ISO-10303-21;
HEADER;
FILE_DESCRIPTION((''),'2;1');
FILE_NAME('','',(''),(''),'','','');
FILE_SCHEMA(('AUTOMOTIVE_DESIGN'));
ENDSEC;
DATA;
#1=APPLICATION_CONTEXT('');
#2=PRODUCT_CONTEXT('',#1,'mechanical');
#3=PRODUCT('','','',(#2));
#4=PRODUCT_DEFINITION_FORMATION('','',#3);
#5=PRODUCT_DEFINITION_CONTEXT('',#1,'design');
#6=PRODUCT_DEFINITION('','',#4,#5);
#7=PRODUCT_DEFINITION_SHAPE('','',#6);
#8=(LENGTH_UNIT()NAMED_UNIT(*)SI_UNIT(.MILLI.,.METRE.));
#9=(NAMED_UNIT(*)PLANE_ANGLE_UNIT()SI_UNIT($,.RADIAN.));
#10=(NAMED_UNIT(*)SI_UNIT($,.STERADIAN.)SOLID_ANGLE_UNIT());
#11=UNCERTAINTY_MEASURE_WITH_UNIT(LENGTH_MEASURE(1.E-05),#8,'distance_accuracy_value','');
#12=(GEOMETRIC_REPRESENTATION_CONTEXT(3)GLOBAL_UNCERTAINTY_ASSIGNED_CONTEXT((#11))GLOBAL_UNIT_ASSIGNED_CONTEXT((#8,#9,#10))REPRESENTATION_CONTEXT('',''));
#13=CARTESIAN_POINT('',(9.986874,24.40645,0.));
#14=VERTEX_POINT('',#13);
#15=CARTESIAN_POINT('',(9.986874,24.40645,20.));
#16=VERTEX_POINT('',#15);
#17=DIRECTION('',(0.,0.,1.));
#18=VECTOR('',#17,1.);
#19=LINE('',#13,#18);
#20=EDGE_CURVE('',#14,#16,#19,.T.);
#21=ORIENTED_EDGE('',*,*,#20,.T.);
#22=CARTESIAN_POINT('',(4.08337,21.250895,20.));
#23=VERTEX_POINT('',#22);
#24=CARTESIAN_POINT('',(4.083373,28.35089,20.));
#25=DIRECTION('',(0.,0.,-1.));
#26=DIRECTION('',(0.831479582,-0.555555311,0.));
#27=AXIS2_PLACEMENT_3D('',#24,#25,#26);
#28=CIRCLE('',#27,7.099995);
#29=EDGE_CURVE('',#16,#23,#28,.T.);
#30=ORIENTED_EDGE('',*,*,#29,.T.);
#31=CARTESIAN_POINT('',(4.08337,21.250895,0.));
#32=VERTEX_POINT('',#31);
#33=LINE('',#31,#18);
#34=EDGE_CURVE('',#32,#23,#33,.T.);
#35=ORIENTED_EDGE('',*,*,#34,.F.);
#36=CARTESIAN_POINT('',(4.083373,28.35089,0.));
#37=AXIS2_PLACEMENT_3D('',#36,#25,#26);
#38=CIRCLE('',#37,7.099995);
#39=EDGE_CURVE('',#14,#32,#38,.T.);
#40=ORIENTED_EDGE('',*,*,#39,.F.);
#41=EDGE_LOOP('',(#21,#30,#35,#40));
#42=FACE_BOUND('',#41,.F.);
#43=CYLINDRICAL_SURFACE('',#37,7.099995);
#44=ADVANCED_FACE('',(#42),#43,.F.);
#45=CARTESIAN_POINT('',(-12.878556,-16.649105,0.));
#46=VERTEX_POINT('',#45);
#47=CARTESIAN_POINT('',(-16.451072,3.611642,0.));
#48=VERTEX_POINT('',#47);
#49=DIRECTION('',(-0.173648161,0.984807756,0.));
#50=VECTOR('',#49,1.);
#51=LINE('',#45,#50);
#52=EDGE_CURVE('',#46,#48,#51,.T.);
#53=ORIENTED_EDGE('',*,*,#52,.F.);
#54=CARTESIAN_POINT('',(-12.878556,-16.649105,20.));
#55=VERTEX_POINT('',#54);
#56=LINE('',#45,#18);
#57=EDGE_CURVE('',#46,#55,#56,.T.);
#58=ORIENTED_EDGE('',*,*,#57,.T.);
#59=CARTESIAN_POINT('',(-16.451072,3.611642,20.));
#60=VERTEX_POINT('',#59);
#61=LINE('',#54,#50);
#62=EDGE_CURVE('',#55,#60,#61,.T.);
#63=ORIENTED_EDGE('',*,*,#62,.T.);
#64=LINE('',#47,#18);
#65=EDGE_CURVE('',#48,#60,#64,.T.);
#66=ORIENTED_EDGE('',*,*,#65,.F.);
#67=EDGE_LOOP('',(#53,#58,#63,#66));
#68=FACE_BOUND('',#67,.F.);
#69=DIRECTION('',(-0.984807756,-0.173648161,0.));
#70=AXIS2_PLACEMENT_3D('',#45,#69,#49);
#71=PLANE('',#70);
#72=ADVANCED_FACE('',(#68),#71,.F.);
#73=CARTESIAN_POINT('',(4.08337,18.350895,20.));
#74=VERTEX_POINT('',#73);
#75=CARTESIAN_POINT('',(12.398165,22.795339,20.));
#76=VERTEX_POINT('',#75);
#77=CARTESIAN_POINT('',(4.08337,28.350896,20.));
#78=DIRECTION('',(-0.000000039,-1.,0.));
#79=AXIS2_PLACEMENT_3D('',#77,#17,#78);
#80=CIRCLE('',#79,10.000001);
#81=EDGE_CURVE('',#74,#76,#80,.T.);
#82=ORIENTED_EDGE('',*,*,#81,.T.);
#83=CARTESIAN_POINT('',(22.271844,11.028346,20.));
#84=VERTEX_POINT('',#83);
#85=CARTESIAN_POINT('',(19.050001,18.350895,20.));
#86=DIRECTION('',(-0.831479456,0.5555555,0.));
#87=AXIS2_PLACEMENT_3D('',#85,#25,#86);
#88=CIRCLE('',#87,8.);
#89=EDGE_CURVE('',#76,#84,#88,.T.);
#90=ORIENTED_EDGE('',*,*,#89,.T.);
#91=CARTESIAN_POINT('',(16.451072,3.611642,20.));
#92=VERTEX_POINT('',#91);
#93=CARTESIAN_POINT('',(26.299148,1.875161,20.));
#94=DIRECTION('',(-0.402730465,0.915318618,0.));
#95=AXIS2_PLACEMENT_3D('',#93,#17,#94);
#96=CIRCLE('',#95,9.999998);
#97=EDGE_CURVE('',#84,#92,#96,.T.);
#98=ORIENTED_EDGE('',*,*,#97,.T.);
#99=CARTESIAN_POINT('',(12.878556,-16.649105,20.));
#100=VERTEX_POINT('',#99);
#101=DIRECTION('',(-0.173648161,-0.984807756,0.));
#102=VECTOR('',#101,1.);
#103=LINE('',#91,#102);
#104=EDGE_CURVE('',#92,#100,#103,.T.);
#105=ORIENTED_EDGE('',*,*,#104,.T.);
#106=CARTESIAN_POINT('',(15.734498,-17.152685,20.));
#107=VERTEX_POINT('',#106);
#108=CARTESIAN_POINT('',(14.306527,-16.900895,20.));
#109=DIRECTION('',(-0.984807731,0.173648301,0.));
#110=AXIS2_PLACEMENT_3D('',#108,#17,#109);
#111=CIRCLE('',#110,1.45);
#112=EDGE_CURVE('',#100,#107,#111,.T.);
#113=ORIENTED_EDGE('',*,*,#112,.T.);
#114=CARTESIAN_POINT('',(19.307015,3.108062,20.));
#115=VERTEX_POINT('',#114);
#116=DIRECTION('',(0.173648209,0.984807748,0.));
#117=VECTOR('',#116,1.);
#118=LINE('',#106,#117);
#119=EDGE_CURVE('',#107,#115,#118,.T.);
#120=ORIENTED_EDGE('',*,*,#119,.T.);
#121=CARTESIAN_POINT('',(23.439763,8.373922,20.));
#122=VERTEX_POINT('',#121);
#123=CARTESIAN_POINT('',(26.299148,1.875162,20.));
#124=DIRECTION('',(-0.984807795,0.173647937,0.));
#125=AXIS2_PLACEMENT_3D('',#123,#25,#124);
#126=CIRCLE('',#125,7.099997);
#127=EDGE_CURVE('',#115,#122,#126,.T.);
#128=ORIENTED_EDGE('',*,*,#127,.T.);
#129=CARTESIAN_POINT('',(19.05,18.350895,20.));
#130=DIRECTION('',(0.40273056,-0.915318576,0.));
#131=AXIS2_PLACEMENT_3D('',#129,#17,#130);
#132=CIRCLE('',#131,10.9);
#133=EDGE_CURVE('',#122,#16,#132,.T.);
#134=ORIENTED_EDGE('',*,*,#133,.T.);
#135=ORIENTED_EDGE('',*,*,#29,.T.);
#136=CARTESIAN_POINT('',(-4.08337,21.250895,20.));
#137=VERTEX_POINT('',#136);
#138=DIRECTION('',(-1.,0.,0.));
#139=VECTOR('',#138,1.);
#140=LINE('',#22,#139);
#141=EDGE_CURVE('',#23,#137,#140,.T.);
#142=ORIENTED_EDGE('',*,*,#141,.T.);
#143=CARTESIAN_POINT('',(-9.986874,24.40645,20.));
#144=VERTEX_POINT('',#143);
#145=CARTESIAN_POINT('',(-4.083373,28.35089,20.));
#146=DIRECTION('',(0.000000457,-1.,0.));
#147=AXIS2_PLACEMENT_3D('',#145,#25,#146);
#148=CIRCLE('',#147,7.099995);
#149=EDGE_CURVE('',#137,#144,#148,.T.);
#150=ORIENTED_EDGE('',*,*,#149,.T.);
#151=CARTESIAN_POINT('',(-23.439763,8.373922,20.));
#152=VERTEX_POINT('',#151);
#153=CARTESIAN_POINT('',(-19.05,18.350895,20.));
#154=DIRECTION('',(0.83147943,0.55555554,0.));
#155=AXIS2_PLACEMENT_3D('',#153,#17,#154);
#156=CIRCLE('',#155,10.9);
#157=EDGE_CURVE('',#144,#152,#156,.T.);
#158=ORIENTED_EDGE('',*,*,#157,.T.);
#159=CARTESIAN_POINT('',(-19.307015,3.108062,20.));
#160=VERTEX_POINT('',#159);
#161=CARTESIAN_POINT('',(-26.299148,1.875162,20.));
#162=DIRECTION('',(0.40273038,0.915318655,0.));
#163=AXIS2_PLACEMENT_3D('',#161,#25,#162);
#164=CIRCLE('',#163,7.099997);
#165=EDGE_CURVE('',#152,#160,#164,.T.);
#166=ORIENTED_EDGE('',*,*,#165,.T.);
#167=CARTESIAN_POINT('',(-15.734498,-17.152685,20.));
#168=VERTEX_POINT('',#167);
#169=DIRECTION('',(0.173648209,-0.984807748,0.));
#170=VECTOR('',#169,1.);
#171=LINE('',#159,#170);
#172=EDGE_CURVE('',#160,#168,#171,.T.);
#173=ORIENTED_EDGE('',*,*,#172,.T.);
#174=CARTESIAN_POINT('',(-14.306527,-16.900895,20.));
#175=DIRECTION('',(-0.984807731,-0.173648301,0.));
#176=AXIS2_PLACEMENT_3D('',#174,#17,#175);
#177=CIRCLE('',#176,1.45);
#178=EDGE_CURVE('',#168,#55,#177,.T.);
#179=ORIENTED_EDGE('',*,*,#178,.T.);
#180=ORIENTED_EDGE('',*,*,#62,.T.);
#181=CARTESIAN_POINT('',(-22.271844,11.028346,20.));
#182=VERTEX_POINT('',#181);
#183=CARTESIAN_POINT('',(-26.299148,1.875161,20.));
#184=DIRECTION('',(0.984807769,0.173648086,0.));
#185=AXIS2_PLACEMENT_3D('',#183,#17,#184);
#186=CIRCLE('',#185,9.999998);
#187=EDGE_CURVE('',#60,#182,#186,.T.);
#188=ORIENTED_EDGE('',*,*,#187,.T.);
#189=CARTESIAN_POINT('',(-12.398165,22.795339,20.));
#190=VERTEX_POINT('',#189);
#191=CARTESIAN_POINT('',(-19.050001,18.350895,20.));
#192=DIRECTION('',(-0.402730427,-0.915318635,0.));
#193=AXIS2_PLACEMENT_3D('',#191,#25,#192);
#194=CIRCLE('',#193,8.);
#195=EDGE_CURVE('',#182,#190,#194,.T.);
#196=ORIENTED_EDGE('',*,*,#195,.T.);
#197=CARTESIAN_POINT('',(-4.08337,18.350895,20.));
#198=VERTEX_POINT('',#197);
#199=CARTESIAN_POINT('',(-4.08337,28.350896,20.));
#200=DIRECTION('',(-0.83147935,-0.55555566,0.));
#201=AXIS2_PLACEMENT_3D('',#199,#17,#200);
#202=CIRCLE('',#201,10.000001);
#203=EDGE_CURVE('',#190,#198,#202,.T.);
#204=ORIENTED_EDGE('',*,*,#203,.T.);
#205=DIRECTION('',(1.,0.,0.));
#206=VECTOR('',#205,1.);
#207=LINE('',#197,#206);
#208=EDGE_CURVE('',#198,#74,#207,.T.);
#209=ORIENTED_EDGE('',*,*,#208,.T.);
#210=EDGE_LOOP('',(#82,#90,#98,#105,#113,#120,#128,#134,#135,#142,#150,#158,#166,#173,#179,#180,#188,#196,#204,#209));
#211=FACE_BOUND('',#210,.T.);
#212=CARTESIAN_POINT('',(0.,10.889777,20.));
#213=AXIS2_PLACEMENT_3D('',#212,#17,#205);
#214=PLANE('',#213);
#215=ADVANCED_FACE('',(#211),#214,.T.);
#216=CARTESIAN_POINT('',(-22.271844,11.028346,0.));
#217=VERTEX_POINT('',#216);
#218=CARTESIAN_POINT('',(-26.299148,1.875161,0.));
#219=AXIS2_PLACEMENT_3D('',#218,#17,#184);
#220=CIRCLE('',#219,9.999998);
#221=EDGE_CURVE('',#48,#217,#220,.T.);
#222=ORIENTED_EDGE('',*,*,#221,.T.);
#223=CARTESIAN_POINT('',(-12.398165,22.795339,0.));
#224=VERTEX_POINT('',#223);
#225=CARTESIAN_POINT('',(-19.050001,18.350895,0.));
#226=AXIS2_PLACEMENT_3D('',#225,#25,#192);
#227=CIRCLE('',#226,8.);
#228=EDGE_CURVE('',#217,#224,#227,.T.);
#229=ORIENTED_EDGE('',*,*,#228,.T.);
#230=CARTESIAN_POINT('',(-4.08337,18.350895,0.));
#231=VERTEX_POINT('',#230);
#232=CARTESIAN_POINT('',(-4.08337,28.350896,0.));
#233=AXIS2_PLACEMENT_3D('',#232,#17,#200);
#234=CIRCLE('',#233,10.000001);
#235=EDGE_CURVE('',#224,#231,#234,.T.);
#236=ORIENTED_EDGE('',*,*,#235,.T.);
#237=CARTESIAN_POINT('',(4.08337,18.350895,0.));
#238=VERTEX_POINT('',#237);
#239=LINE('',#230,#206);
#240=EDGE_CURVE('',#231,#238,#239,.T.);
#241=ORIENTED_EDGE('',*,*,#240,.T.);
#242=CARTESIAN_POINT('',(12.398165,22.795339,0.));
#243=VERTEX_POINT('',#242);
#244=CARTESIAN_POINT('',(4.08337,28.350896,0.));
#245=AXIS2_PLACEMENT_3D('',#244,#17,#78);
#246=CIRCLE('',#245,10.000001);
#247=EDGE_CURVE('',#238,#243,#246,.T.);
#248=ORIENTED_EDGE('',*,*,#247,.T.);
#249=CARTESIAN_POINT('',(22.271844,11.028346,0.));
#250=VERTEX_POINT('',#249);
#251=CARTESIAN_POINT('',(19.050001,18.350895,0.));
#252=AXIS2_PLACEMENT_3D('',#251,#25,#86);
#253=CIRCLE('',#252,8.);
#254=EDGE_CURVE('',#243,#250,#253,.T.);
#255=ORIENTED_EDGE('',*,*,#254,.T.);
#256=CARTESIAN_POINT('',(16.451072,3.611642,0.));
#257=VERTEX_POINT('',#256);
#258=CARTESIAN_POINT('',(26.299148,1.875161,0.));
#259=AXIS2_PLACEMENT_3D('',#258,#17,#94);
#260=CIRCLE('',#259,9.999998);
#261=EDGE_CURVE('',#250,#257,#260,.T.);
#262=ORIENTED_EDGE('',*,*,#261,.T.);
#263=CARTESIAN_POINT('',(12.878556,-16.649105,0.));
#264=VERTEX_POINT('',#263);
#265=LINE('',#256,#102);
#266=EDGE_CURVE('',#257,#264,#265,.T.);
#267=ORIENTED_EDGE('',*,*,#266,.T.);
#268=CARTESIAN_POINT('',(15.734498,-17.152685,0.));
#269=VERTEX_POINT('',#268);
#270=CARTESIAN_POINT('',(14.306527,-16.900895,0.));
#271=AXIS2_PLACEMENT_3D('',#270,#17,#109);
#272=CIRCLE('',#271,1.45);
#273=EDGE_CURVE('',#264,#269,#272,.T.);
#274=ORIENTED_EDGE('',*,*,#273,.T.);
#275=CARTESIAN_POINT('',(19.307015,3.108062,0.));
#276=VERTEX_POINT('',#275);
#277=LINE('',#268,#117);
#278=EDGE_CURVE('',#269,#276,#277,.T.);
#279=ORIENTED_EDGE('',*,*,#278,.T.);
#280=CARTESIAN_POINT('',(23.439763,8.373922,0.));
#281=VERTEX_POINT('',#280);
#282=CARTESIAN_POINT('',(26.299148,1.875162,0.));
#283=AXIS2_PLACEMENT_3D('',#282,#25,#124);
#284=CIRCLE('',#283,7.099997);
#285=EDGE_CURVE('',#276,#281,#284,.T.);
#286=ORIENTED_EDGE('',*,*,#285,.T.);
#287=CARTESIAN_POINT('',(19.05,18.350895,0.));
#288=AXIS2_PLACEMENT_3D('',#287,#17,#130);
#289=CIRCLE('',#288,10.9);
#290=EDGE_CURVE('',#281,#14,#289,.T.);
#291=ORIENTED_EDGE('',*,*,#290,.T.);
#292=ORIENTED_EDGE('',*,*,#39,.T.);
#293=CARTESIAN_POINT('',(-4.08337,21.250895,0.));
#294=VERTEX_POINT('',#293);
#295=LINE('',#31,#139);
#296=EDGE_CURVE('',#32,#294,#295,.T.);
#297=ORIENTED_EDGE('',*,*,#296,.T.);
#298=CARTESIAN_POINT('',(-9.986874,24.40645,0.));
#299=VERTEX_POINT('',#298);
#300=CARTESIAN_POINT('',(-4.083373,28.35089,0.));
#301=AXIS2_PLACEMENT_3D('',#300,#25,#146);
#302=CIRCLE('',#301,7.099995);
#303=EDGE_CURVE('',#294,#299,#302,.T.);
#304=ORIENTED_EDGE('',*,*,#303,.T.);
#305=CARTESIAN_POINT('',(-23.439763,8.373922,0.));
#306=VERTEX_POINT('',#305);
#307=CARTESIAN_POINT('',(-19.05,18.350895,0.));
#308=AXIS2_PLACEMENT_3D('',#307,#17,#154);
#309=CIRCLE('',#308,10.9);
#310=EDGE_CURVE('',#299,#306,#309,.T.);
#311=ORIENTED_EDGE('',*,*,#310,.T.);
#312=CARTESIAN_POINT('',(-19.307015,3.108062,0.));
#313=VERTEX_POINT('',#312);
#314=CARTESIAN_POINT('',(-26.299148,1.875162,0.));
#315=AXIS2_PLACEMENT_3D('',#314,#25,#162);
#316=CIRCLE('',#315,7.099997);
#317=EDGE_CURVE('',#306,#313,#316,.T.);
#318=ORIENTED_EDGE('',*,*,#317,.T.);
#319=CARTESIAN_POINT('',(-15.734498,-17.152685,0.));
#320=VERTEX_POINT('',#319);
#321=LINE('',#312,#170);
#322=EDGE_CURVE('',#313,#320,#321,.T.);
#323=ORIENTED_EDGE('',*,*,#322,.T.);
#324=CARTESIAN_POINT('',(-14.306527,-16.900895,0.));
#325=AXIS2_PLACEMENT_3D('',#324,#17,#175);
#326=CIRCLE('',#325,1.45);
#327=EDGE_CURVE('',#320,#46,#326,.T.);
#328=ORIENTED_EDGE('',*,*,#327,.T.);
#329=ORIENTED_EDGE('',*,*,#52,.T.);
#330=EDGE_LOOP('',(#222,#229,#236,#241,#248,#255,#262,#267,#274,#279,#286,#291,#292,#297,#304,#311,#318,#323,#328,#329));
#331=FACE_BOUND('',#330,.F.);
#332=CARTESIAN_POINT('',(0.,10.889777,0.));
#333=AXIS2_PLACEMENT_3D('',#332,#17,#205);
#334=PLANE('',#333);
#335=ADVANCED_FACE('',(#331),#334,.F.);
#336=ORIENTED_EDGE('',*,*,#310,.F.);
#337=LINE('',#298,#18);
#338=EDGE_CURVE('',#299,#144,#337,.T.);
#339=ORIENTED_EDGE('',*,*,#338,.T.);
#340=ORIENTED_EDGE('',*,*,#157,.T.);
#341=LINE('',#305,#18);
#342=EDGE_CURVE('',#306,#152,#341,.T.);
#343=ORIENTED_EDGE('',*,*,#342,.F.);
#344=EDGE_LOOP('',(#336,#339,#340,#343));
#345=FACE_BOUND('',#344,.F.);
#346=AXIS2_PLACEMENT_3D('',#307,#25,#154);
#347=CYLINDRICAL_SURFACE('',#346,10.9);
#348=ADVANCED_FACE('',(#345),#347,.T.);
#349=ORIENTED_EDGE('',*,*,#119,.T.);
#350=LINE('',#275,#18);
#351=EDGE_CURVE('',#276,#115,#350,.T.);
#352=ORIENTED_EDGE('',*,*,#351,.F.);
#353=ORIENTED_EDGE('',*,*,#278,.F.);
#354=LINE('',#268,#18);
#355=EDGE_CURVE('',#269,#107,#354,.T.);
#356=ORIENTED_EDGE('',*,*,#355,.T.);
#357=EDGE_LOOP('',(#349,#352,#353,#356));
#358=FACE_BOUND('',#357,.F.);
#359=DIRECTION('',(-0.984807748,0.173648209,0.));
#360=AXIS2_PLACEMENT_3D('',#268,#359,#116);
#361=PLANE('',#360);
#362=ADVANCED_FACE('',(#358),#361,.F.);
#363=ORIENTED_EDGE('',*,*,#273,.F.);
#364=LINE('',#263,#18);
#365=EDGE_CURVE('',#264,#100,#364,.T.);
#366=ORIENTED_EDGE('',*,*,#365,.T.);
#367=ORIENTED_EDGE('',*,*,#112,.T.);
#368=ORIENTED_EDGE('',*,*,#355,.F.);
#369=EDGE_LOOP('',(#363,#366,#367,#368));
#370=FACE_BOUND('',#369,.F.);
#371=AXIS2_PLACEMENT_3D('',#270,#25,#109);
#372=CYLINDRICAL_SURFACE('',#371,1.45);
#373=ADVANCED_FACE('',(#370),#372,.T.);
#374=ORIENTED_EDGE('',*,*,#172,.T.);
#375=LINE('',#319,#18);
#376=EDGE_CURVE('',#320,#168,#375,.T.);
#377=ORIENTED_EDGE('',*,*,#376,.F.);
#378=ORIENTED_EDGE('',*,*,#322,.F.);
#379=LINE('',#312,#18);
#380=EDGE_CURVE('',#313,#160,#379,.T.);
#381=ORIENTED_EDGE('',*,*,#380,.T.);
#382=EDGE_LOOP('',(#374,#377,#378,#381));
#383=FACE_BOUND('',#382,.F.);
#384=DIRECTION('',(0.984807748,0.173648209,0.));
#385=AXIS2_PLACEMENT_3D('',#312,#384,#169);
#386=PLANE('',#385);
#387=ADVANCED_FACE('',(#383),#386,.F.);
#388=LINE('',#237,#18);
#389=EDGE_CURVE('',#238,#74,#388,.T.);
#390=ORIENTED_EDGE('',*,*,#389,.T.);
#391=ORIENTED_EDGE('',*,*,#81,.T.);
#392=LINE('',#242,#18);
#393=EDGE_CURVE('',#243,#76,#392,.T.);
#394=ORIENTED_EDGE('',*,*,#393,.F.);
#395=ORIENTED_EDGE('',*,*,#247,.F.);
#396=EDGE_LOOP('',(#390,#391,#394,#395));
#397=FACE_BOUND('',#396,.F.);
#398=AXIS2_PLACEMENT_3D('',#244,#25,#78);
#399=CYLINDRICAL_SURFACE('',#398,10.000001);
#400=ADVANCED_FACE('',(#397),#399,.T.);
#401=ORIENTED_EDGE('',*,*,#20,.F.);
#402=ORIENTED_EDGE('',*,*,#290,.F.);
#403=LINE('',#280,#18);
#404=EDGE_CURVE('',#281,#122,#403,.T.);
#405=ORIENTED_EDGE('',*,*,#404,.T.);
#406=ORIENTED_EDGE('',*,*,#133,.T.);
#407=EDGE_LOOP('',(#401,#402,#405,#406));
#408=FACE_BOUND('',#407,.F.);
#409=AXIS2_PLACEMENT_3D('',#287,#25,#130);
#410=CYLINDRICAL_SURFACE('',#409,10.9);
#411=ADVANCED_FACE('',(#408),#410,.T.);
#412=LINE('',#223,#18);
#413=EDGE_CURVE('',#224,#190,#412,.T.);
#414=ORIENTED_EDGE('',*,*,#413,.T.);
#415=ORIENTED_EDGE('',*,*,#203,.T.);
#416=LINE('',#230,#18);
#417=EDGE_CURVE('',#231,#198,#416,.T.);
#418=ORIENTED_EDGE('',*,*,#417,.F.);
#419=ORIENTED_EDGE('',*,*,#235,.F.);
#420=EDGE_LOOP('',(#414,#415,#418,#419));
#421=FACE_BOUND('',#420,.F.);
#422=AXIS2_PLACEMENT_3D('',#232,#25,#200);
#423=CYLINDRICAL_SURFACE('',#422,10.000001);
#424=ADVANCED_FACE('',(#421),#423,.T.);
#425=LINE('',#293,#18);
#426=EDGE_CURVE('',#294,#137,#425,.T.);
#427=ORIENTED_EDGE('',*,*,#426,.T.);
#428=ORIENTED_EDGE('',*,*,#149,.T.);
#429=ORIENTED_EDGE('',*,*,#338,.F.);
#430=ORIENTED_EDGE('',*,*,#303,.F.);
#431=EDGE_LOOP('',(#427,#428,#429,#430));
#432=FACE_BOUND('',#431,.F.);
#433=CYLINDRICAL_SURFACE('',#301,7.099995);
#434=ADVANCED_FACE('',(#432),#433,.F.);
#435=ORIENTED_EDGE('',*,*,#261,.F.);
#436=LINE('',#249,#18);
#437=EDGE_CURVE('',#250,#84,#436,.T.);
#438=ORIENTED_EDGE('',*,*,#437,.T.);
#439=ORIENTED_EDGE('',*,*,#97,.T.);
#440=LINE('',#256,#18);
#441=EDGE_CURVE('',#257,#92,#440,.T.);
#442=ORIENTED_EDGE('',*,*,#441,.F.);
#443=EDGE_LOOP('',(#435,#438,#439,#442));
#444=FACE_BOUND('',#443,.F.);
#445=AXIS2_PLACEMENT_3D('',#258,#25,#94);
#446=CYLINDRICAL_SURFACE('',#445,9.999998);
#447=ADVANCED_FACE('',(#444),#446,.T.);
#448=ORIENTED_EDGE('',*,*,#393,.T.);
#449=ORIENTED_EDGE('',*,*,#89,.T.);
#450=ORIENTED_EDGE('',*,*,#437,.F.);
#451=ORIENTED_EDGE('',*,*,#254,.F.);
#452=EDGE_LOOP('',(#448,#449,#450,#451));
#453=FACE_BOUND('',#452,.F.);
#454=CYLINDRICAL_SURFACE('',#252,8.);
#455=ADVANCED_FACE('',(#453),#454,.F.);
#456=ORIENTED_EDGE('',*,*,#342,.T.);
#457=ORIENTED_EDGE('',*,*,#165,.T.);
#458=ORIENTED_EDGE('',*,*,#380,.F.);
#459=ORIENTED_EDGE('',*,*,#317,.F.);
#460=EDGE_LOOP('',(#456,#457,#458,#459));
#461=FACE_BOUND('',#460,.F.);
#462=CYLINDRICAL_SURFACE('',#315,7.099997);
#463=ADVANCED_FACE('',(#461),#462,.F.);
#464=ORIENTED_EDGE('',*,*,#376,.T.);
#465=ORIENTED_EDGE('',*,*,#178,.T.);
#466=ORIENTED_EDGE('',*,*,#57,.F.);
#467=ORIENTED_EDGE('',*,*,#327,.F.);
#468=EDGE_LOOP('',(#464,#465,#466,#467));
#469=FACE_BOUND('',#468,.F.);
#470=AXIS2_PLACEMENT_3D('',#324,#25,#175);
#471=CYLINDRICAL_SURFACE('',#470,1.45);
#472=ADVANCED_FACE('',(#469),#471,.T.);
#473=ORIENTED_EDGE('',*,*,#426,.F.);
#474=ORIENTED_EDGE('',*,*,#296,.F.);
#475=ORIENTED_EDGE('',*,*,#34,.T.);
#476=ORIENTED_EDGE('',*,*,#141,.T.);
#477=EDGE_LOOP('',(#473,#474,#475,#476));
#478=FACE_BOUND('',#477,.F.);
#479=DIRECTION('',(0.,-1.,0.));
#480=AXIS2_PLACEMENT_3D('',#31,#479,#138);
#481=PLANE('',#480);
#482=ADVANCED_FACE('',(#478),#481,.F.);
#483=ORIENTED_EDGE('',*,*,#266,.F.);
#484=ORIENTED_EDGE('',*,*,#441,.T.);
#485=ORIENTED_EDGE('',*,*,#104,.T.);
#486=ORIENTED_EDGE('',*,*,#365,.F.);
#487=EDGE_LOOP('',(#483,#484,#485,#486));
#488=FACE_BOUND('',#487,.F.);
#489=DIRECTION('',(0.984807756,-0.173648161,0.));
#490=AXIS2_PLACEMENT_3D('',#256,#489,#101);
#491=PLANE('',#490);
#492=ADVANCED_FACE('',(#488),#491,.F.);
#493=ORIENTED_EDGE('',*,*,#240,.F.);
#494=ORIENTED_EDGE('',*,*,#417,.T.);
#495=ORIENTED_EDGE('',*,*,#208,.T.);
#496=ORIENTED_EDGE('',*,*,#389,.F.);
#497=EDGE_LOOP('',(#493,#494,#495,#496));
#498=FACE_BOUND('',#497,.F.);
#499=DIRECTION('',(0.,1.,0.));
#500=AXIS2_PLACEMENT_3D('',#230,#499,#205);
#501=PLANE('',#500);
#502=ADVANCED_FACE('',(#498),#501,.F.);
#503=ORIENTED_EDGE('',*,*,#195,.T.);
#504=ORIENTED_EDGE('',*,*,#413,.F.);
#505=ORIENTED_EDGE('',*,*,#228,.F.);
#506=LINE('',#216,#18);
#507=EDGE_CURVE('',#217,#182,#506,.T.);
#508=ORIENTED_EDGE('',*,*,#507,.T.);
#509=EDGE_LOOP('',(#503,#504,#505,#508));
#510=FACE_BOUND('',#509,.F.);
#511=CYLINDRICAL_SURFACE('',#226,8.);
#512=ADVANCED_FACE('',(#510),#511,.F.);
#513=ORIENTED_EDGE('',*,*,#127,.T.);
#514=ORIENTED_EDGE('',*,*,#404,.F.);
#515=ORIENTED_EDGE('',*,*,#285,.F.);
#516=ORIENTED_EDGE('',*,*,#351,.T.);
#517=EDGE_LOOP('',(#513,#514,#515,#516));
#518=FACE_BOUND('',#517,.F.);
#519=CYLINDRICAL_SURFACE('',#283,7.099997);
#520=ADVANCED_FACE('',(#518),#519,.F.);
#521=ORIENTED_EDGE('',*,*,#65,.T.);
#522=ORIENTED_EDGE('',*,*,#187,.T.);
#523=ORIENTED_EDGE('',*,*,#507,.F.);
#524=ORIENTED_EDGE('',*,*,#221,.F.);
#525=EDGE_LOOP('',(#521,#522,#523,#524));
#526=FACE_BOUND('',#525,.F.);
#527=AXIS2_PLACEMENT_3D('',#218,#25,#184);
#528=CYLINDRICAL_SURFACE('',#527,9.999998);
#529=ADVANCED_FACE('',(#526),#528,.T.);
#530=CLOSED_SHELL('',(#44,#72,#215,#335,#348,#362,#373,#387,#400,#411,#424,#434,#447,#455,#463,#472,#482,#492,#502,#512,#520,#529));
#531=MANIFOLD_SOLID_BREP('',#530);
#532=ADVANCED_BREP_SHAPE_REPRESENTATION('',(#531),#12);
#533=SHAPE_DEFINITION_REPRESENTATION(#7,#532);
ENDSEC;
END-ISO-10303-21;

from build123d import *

# Parameters (mm, degrees)
F1_DEPTH = 20


with BuildPart() as f1:
    # F0 (on Top) → F1 (new body)
    with BuildSketch(Plane.XY):
        with BuildLine():
            Line((-4.08337, 18.350895), (0, 18.350895))
            Line((0, 18.350895), (4.08337, 18.350895))
            ThreePointArc((4.08337, 18.350895), (8.797416, 19.531724), (12.398165, 22.795339))
            ThreePointArc((12.398165, 22.795339), (25.178356, 23.493196), (22.271844, 11.028346))
            ThreePointArc((22.271844, 11.028346), (18.432547, 8.049022), (16.451072, 3.611642))
            Line((16.451072, 3.611642), (12.878556, -16.649105))
            ThreePointArc((12.878556, -16.649105), (14.054737, -18.328866), (15.734498, -17.152685))
            Line((15.734498, -17.152685), (19.307015, 3.108062))
            ThreePointArc((19.307015, 3.108062), (20.713862, 6.258602), (23.439763, 8.373922))
            ThreePointArc((23.439763, 8.373922), (27.399884, 25.35728), (9.986874, 24.40645))
            ThreePointArc((9.986874, 24.40645), (7.430343, 22.089283), (4.08337, 21.250895))
            Line((4.08337, 21.250895), (0, 21.250895))
            Line((0, 21.250895), (-4.08337, 21.250895))
            ThreePointArc((-4.08337, 21.250895), (-7.430343, 22.089283), (-9.986874, 24.40645))
            ThreePointArc((-9.986874, 24.40645), (-27.399884, 25.35728), (-23.439763, 8.373922))
            ThreePointArc((-23.439763, 8.373922), (-20.713862, 6.258602), (-19.307015, 3.108062))
            Line((-19.307015, 3.108062), (-15.734498, -17.152685))
            ThreePointArc((-15.734498, -17.152685), (-14.054737, -18.328866), (-12.878556, -16.649105))
            Line((-12.878556, -16.649105), (-16.451072, 3.611642))
            ThreePointArc((-16.451072, 3.611642), (-18.432547, 8.049022), (-22.271844, 11.028346))
            ThreePointArc((-22.271844, 11.028346), (-25.178356, 23.493196), (-12.398165, 22.795339))
            ThreePointArc((-12.398165, 22.795339), (-8.797416, 19.531724), (-4.08337, 18.350895))
        make_face()
    extrude(amount=F1_DEPTH)


solid = f1.part
